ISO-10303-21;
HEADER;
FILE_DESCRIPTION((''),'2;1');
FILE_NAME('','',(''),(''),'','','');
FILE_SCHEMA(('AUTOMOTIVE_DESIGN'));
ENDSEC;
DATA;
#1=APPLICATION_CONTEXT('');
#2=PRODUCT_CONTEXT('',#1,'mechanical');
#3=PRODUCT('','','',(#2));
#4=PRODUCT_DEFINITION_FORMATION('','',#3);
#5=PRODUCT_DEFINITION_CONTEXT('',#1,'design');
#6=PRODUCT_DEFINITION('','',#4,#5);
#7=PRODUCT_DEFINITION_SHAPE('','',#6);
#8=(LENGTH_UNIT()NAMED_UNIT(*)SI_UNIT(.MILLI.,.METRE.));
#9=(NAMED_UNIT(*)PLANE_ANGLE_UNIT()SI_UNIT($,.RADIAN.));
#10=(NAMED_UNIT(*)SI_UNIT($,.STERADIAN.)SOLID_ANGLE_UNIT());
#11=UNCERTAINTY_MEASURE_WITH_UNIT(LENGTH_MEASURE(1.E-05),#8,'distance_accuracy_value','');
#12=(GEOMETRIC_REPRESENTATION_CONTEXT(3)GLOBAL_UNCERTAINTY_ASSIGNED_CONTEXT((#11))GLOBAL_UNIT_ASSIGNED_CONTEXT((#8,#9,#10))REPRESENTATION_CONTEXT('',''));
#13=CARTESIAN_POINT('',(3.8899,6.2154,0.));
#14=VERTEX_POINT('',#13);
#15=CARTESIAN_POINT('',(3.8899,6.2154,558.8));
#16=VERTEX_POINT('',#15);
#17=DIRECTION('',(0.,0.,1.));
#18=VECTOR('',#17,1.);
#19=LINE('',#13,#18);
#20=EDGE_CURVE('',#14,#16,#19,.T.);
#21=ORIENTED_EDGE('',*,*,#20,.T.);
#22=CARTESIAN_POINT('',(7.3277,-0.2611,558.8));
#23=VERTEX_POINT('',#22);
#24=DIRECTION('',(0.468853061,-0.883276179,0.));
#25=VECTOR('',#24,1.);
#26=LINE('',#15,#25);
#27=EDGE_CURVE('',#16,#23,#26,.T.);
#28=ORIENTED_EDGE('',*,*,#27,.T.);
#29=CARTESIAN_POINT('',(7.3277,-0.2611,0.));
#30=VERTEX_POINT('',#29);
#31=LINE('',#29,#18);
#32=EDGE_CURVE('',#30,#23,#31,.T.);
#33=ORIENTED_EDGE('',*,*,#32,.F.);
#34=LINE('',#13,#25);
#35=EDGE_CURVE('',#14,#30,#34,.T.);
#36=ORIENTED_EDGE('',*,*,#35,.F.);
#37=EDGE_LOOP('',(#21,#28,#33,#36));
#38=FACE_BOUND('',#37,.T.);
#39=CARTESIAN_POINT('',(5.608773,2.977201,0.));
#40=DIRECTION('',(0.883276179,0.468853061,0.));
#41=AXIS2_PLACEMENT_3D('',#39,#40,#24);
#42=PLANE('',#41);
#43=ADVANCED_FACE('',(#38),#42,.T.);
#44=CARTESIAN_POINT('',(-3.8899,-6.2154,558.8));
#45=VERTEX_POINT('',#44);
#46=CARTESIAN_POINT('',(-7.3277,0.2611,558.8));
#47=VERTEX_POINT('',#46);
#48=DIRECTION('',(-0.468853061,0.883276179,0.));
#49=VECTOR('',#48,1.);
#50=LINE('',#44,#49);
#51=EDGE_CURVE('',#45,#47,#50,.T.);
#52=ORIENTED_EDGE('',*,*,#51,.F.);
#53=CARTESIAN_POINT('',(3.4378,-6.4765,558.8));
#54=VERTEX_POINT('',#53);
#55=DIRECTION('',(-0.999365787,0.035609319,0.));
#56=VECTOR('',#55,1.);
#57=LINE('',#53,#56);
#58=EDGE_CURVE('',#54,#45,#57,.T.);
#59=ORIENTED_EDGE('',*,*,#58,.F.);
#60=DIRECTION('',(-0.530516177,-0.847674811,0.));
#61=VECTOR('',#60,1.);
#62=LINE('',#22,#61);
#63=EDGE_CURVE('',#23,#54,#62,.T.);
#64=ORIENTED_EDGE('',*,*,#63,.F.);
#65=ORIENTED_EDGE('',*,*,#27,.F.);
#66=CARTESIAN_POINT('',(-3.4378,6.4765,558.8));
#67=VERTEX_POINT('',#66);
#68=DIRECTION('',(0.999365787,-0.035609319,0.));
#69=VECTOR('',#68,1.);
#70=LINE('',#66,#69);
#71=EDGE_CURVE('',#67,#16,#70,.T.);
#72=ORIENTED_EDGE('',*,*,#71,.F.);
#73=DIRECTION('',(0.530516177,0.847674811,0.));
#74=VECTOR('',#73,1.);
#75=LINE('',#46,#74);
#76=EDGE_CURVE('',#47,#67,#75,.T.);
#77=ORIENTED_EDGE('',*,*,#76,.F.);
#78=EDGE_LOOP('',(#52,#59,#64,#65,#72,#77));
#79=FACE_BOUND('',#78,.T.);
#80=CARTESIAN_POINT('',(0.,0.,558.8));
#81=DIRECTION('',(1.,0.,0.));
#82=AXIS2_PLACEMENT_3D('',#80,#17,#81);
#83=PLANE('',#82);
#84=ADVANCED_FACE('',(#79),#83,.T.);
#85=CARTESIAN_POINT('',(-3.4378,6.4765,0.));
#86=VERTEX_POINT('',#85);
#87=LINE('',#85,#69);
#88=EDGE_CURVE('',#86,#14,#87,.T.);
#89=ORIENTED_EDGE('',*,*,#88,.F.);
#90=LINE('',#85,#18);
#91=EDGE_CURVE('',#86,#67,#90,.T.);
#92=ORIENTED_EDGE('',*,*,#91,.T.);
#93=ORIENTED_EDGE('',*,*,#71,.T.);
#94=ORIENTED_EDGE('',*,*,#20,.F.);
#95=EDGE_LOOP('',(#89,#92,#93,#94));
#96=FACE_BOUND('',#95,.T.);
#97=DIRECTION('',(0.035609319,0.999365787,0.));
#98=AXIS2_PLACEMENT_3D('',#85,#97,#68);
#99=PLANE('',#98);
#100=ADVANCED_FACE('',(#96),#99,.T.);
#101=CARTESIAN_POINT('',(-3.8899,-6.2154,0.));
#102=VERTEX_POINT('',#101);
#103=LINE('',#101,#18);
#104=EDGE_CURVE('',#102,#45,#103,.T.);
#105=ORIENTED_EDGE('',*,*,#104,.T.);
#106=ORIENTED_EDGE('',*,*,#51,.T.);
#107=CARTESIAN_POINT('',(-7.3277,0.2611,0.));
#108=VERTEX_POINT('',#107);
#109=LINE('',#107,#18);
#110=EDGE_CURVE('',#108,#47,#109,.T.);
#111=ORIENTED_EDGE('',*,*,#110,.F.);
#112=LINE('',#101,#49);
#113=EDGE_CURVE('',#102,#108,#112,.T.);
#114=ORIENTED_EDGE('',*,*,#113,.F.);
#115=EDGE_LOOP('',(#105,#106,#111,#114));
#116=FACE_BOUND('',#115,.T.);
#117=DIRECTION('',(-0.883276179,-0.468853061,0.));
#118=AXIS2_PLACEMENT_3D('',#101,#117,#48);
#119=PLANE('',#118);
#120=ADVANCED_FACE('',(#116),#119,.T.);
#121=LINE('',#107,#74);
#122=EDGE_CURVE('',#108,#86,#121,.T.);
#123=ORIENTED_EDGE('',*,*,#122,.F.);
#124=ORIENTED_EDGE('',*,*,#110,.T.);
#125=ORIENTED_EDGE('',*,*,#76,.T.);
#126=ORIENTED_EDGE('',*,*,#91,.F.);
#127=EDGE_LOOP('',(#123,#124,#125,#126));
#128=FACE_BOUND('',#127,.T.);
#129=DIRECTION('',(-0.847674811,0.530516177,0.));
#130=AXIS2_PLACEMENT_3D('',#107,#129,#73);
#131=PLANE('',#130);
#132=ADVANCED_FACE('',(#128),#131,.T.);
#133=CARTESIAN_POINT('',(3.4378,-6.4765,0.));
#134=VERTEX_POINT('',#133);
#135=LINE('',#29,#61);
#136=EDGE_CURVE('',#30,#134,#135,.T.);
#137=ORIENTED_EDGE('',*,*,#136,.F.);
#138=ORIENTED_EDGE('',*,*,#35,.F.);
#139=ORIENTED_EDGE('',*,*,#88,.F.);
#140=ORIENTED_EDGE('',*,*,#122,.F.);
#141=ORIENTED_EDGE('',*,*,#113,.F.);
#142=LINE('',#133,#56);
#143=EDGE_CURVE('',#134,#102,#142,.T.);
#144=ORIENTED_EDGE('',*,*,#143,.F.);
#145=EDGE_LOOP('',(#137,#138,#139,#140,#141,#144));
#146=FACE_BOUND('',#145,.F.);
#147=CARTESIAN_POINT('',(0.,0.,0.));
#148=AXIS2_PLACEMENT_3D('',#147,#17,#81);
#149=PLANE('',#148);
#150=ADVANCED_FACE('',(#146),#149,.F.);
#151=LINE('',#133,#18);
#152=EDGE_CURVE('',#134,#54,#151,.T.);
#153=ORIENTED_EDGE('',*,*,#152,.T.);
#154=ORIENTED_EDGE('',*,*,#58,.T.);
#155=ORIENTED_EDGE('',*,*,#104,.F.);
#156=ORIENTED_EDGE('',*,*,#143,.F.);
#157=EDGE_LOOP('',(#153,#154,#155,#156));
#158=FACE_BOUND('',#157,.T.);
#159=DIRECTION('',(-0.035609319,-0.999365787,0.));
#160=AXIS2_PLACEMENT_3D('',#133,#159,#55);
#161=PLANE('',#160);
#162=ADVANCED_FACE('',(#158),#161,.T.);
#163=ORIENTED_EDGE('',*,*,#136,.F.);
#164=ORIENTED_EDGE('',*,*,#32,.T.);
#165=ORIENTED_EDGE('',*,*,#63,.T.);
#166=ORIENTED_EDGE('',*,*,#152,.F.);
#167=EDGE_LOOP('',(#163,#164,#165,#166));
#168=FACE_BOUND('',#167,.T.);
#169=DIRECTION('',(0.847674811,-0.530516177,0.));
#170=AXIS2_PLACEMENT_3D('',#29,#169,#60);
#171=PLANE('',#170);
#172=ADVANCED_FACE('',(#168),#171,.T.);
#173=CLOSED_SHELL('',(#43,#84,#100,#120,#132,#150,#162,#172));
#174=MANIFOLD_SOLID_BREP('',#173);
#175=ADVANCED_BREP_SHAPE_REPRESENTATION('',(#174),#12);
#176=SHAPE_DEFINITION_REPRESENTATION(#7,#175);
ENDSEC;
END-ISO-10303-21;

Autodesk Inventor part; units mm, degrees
ref_plane "YZ Plane" through (0, 0, 0) normal (1, 0, 0) x (0, 1, 0)
ref_plane "XZ Plane" through (0, 0, 0) normal (0, 1, 0) x (-1, 0, 0)
ref_plane "XY Plane" through (0, 0, 0) normal (0, 0, 1) x (1, 0, 0)
sketch "Sketch3" plane through (0, 0, 0) normal (0, 0, 1) x (1, 0, 0)
  circle A0 centre (0, 0) radius 6.35
  line L0 (7.3277, -0.2611) -> (3.4378, -6.4765)
  line L1 (3.4378, -6.4765) -> (-3.8899, -6.2154)
  line L2 (-3.8899, -6.2154) -> (-7.3277, 0.2611)
  line L3 (-7.3277, 0.2611) -> (-3.4378, 6.4765)
  line L4 (-3.4378, 6.4765) -> (3.8899, 6.2154)
  line L5 (3.8899, 6.2154) -> (7.3277, -0.2611)
  point P0 (5.6088, 2.9772)
  dimension "d5" = 12.7
extrude "Extrusion3" add sketch "Sketch3" along normal blind 558.8
properties part number "4-bar intake (22) shaft"
